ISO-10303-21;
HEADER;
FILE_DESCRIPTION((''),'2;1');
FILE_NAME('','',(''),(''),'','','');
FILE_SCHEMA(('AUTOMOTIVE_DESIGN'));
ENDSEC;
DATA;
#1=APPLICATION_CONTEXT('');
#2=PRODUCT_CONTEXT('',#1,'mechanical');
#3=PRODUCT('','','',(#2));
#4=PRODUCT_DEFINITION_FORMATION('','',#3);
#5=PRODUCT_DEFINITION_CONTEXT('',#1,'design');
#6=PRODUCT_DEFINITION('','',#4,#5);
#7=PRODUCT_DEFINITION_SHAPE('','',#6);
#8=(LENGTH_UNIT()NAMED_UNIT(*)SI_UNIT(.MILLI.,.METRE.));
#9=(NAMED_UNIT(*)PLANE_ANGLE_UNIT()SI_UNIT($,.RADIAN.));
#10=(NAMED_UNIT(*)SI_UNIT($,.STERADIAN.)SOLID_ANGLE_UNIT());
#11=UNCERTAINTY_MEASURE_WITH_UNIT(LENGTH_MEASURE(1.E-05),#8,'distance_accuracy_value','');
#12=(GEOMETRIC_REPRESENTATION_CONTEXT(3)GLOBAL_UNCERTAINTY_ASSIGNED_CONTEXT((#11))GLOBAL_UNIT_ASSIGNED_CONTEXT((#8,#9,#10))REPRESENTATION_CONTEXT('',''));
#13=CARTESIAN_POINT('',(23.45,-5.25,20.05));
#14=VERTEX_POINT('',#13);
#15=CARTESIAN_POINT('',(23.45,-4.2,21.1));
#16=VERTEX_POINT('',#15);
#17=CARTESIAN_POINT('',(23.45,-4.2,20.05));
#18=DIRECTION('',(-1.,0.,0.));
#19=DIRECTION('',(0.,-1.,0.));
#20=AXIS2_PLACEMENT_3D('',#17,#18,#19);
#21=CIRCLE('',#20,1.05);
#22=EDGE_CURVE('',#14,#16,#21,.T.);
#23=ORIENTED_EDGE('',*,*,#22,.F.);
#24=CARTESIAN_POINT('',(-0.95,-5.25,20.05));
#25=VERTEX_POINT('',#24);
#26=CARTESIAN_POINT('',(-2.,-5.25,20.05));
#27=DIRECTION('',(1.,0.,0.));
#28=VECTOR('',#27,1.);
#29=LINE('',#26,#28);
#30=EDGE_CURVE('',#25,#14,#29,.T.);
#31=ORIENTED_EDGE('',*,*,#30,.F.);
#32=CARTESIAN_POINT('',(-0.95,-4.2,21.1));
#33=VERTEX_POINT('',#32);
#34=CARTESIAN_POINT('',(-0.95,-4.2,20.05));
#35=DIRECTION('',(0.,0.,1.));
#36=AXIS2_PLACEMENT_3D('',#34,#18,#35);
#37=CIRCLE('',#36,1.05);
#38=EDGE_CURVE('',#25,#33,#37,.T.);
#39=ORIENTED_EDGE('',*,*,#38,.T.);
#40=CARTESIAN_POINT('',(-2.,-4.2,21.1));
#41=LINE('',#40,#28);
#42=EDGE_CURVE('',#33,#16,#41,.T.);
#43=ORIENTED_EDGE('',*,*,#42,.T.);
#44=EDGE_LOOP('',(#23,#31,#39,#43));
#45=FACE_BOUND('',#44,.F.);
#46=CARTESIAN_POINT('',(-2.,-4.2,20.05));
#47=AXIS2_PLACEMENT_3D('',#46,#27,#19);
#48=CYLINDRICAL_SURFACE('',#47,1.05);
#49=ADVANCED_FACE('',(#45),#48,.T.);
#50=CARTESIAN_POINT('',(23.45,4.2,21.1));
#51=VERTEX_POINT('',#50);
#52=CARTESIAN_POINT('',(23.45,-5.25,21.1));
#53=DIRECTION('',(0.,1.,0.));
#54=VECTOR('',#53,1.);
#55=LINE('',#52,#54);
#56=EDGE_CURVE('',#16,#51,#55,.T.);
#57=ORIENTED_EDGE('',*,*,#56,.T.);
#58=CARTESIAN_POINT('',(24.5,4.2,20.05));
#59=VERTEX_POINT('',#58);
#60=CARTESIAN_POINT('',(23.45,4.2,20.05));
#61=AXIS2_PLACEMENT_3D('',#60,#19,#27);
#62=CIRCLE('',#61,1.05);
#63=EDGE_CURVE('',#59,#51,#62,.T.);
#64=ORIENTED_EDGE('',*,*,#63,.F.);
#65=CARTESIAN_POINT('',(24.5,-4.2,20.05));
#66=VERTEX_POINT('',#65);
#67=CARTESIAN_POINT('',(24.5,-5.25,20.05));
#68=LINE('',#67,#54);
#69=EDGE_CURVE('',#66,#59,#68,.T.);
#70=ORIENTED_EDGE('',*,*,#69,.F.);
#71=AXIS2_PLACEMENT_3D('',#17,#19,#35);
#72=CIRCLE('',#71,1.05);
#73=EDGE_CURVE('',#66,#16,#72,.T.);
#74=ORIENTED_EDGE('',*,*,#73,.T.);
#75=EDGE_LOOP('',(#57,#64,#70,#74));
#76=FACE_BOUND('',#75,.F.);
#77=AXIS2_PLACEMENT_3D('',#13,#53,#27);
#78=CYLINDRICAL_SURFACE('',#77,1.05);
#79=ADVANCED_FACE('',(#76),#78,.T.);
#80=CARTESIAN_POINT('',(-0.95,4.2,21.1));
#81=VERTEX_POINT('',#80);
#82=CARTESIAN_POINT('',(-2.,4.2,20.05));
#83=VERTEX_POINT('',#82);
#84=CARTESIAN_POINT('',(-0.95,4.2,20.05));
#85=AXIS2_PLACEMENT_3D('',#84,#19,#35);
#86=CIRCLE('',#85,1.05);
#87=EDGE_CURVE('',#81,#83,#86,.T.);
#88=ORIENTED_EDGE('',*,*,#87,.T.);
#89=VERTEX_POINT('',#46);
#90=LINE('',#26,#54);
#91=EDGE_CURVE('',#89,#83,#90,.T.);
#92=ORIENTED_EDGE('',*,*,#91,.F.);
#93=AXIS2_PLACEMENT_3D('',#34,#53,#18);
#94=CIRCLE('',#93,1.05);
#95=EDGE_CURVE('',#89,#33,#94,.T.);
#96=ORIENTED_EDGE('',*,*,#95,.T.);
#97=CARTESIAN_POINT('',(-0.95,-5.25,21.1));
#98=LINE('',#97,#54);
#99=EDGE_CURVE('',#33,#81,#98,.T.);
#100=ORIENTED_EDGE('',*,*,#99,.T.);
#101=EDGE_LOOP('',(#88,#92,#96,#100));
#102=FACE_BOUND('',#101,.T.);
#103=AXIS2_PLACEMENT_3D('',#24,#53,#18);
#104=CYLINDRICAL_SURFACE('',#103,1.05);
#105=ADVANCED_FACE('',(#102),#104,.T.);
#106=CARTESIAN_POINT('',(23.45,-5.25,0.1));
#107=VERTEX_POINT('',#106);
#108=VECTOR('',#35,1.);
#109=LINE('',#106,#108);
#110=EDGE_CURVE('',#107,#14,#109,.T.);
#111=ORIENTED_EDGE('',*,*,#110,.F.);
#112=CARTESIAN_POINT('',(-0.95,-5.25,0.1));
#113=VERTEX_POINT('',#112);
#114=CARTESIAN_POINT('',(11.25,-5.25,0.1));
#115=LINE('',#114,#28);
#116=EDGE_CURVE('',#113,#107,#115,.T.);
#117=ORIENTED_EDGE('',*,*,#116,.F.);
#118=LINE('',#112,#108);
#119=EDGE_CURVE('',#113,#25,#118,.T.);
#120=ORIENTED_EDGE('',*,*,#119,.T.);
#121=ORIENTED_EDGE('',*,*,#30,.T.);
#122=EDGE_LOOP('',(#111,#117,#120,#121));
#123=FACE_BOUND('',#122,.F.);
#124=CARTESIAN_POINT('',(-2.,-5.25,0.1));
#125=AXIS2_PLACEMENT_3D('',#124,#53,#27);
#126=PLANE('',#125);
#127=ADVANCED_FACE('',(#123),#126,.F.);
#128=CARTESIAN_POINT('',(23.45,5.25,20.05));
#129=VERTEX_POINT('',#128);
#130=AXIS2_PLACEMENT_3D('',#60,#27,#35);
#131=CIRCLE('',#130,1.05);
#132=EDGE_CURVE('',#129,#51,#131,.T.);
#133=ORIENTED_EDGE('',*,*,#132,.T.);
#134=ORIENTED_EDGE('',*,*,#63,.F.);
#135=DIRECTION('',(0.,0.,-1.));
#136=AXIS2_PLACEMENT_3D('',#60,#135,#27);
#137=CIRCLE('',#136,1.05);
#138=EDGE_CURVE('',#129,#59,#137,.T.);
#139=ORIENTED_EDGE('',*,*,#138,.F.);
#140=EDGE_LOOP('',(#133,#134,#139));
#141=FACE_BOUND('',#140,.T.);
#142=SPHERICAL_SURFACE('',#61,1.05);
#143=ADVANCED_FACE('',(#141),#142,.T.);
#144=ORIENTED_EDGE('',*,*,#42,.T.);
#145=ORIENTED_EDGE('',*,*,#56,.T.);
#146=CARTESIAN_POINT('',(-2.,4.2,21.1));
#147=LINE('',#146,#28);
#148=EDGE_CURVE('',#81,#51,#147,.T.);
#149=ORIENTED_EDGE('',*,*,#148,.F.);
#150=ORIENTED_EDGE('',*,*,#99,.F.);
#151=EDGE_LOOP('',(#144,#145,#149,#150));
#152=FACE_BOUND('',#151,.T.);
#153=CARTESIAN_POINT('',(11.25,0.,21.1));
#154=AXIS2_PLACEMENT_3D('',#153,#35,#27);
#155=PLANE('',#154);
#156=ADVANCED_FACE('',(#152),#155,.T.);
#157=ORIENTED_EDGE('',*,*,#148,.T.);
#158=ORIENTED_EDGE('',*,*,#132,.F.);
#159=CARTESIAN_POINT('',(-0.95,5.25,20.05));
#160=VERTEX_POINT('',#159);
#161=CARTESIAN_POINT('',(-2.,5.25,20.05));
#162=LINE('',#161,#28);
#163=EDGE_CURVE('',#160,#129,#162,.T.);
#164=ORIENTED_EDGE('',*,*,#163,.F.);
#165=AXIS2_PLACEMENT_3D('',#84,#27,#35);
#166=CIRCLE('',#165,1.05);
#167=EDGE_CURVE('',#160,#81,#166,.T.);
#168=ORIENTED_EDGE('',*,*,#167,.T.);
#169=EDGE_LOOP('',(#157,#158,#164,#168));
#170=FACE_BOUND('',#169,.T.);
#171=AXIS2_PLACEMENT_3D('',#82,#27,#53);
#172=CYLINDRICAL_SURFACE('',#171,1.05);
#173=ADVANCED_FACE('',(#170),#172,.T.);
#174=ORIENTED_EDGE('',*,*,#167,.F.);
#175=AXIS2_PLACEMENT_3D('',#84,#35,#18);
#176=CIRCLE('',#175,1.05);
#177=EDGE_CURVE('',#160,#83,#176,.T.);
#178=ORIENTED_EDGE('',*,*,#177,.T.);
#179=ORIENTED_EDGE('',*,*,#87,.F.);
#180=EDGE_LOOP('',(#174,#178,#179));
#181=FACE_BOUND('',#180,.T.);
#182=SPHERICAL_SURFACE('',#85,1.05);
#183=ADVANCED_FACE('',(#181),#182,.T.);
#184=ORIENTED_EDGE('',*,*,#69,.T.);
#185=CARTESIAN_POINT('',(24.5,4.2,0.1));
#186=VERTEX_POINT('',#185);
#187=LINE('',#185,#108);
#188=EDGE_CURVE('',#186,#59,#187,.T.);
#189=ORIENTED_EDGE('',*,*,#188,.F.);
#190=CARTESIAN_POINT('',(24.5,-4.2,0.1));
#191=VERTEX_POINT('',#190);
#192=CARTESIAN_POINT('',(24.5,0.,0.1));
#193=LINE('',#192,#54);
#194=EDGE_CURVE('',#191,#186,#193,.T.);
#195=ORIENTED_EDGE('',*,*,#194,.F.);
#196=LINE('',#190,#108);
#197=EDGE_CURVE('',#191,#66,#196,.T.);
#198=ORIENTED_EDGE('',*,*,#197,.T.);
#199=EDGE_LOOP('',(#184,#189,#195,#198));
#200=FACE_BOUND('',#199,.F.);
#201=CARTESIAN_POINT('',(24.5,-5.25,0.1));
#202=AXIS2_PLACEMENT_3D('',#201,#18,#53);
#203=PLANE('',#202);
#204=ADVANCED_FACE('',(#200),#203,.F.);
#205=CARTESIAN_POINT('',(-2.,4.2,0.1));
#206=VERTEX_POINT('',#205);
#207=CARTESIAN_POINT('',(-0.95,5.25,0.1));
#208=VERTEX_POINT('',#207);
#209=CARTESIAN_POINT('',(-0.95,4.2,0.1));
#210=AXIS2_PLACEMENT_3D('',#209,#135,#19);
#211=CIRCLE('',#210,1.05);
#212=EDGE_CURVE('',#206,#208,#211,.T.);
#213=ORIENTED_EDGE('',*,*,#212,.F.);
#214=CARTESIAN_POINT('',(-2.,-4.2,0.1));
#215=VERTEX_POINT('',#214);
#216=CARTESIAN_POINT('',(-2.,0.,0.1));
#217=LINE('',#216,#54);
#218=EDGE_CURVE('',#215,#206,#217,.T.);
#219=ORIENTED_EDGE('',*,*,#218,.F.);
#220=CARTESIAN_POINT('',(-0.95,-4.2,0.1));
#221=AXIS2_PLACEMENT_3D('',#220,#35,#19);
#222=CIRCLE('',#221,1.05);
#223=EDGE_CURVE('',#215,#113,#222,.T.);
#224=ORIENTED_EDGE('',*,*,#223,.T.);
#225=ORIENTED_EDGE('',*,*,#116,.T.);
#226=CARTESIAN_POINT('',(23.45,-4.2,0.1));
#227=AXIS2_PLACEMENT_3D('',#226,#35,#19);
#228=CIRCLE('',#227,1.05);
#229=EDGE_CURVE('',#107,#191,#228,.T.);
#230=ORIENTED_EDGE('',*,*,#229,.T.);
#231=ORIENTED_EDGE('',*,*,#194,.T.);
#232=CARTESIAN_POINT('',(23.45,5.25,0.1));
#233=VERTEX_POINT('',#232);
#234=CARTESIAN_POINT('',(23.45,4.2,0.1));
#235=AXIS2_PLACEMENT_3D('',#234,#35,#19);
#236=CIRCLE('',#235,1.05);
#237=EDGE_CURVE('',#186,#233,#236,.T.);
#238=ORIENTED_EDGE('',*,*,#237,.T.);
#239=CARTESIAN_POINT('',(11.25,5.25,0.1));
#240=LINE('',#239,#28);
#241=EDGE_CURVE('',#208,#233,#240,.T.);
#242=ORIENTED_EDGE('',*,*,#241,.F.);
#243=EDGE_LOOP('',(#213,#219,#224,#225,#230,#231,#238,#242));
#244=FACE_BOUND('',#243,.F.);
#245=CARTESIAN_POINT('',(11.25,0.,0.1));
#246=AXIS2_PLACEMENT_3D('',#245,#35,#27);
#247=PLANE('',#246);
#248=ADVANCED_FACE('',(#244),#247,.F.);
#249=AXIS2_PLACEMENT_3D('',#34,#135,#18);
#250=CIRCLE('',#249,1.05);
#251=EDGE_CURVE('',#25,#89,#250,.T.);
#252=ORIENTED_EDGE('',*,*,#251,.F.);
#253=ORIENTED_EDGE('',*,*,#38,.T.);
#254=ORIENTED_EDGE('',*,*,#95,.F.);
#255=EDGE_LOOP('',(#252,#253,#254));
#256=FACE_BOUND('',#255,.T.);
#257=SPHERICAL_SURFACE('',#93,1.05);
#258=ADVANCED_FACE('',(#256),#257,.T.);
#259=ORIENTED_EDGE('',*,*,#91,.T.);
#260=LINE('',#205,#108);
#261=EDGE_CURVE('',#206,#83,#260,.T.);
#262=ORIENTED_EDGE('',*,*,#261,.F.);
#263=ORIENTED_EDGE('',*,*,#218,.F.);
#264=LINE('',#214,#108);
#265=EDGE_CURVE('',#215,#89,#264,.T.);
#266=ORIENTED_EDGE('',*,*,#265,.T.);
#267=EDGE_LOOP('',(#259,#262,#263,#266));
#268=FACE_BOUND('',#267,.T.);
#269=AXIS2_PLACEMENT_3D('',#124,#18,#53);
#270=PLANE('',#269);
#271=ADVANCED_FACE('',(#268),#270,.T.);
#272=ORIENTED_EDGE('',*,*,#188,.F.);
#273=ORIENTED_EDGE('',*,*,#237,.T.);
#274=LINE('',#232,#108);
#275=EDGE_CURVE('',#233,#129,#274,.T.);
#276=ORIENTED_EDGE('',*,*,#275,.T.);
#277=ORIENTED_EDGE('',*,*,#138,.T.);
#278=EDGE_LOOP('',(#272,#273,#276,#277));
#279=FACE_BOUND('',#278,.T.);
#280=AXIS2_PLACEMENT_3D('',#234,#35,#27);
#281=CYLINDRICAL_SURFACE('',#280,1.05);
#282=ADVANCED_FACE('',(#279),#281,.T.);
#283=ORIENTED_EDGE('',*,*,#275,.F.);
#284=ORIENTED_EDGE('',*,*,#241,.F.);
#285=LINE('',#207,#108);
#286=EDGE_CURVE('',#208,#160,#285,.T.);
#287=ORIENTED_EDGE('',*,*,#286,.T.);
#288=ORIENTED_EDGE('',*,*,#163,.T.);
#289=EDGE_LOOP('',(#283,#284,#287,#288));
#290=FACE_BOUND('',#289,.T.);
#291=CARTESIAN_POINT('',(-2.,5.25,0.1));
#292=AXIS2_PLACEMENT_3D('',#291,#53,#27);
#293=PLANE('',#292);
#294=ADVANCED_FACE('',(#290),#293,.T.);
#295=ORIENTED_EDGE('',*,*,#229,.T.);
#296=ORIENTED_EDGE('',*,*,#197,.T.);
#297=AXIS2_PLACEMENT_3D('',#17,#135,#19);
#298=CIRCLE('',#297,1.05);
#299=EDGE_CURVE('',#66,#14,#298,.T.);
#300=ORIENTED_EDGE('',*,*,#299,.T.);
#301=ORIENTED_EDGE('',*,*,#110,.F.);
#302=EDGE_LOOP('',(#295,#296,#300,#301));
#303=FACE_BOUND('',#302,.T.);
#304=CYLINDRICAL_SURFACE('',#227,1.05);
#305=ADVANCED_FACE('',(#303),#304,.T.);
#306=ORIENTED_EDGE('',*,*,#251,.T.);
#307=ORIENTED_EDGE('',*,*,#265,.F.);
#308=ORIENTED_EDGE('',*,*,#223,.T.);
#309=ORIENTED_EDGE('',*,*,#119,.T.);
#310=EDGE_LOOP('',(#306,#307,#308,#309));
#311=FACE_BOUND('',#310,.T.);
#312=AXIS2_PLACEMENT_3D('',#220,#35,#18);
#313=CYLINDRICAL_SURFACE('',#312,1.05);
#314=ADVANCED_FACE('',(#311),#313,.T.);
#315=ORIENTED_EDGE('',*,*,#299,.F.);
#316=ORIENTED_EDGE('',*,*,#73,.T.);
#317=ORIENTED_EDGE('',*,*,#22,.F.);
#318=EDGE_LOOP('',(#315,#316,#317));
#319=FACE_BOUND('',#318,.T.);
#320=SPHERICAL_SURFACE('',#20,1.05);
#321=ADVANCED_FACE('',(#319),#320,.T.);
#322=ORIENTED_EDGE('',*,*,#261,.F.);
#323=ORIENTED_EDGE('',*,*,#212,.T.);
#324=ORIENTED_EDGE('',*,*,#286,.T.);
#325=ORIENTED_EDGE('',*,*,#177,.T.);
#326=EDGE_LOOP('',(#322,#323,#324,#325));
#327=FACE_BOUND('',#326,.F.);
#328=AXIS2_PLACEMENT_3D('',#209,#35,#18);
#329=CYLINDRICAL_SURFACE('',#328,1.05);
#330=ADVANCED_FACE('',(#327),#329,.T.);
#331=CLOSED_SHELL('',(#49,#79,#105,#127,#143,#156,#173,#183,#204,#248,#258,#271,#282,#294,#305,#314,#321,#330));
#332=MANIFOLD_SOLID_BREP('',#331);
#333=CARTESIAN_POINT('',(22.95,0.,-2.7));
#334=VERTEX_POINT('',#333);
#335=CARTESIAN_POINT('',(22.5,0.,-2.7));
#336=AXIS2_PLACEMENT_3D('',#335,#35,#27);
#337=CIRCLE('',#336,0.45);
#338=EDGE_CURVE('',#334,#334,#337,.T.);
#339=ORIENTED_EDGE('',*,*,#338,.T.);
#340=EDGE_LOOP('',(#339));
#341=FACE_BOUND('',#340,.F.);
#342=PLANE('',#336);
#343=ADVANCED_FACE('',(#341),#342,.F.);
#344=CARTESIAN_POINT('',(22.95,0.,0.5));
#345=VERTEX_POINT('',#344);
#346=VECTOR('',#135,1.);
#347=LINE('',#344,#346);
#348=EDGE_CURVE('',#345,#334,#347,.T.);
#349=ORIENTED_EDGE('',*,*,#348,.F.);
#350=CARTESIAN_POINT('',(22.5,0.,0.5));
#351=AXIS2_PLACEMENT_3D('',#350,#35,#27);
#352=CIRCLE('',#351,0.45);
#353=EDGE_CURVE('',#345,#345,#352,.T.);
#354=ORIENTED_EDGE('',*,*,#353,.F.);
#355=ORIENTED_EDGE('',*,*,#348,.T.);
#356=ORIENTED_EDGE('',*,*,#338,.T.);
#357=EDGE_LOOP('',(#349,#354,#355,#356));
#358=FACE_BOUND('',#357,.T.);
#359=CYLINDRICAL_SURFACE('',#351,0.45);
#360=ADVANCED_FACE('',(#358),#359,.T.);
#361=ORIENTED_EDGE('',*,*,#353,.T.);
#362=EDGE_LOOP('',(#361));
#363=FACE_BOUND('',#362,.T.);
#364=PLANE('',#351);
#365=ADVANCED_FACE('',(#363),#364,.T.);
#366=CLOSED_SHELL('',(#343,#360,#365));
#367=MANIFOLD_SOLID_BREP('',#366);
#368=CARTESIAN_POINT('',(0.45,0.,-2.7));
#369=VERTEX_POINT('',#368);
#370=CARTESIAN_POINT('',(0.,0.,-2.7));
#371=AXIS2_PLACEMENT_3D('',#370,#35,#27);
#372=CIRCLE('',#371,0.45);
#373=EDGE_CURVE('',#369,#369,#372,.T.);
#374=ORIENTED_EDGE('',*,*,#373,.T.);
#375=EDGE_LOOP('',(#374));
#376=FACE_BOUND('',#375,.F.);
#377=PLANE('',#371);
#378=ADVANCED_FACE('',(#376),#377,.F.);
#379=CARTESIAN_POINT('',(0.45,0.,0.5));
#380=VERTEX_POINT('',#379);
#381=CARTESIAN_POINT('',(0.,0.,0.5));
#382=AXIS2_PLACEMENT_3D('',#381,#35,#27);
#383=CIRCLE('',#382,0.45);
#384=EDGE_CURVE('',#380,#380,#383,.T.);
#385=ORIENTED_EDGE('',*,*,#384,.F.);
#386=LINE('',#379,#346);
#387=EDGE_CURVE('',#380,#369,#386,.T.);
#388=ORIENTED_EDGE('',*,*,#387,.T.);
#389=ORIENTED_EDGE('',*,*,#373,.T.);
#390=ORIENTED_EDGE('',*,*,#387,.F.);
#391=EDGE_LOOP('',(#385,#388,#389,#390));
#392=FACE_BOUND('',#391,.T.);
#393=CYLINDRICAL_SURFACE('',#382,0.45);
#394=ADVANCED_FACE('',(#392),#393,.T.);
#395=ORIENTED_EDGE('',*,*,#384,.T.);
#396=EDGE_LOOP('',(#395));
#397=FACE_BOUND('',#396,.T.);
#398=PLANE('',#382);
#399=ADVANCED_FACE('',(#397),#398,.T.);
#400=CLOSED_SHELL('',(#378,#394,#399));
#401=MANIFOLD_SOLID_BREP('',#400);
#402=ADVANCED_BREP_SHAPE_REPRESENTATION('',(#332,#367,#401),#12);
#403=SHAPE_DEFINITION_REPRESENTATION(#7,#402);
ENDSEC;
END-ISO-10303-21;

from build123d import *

# Parameters (mm, degrees)
SKETCH_W     = 26.5
SKETCH_H     = 10.5
PAD_DEPTH    = 21
FILLET_R     = 1.05
SKETCH001_R  = 0.45
PAD001_DEPTH = 3.2


with BuildPart() as fillet_body:
    # Sketch → Pad (new body)
    with BuildSketch(Plane.XY.offset(0.1)):
        with Locations((11.25, 0)):
            Rectangle(SKETCH_W, SKETCH_H)
    extrude(amount=PAD_DEPTH)

    # Fillet
    fillet_edges = [fillet_body.edges().sort_by_distance(p)[0] for p in [
        (-2, 0, 21.1),
        (-2, -5.25, 10.6),
        (11.25, -5.25, 21.1),
        (24.5, -5.25, 10.6),
        (24.5, 0, 21.1),
        (24.5, 5.25, 10.6),
        (11.25, 5.25, 21.1),
        (-2, 5.25, 10.6),
    ]]
    fillet(fillet_edges, radius=FILLET_R)


with BuildPart() as pad001:
    # Sketch001 → Pad001 (new body)
    with BuildSketch(Plane.XY.offset(0.5)):
        Circle(SKETCH001_R)
        with Locations((22.5, 0)):
            Circle(SKETCH001_R)
    extrude(amount=-PAD001_DEPTH)


solid = Compound([fillet_body.part, pad001.part])
